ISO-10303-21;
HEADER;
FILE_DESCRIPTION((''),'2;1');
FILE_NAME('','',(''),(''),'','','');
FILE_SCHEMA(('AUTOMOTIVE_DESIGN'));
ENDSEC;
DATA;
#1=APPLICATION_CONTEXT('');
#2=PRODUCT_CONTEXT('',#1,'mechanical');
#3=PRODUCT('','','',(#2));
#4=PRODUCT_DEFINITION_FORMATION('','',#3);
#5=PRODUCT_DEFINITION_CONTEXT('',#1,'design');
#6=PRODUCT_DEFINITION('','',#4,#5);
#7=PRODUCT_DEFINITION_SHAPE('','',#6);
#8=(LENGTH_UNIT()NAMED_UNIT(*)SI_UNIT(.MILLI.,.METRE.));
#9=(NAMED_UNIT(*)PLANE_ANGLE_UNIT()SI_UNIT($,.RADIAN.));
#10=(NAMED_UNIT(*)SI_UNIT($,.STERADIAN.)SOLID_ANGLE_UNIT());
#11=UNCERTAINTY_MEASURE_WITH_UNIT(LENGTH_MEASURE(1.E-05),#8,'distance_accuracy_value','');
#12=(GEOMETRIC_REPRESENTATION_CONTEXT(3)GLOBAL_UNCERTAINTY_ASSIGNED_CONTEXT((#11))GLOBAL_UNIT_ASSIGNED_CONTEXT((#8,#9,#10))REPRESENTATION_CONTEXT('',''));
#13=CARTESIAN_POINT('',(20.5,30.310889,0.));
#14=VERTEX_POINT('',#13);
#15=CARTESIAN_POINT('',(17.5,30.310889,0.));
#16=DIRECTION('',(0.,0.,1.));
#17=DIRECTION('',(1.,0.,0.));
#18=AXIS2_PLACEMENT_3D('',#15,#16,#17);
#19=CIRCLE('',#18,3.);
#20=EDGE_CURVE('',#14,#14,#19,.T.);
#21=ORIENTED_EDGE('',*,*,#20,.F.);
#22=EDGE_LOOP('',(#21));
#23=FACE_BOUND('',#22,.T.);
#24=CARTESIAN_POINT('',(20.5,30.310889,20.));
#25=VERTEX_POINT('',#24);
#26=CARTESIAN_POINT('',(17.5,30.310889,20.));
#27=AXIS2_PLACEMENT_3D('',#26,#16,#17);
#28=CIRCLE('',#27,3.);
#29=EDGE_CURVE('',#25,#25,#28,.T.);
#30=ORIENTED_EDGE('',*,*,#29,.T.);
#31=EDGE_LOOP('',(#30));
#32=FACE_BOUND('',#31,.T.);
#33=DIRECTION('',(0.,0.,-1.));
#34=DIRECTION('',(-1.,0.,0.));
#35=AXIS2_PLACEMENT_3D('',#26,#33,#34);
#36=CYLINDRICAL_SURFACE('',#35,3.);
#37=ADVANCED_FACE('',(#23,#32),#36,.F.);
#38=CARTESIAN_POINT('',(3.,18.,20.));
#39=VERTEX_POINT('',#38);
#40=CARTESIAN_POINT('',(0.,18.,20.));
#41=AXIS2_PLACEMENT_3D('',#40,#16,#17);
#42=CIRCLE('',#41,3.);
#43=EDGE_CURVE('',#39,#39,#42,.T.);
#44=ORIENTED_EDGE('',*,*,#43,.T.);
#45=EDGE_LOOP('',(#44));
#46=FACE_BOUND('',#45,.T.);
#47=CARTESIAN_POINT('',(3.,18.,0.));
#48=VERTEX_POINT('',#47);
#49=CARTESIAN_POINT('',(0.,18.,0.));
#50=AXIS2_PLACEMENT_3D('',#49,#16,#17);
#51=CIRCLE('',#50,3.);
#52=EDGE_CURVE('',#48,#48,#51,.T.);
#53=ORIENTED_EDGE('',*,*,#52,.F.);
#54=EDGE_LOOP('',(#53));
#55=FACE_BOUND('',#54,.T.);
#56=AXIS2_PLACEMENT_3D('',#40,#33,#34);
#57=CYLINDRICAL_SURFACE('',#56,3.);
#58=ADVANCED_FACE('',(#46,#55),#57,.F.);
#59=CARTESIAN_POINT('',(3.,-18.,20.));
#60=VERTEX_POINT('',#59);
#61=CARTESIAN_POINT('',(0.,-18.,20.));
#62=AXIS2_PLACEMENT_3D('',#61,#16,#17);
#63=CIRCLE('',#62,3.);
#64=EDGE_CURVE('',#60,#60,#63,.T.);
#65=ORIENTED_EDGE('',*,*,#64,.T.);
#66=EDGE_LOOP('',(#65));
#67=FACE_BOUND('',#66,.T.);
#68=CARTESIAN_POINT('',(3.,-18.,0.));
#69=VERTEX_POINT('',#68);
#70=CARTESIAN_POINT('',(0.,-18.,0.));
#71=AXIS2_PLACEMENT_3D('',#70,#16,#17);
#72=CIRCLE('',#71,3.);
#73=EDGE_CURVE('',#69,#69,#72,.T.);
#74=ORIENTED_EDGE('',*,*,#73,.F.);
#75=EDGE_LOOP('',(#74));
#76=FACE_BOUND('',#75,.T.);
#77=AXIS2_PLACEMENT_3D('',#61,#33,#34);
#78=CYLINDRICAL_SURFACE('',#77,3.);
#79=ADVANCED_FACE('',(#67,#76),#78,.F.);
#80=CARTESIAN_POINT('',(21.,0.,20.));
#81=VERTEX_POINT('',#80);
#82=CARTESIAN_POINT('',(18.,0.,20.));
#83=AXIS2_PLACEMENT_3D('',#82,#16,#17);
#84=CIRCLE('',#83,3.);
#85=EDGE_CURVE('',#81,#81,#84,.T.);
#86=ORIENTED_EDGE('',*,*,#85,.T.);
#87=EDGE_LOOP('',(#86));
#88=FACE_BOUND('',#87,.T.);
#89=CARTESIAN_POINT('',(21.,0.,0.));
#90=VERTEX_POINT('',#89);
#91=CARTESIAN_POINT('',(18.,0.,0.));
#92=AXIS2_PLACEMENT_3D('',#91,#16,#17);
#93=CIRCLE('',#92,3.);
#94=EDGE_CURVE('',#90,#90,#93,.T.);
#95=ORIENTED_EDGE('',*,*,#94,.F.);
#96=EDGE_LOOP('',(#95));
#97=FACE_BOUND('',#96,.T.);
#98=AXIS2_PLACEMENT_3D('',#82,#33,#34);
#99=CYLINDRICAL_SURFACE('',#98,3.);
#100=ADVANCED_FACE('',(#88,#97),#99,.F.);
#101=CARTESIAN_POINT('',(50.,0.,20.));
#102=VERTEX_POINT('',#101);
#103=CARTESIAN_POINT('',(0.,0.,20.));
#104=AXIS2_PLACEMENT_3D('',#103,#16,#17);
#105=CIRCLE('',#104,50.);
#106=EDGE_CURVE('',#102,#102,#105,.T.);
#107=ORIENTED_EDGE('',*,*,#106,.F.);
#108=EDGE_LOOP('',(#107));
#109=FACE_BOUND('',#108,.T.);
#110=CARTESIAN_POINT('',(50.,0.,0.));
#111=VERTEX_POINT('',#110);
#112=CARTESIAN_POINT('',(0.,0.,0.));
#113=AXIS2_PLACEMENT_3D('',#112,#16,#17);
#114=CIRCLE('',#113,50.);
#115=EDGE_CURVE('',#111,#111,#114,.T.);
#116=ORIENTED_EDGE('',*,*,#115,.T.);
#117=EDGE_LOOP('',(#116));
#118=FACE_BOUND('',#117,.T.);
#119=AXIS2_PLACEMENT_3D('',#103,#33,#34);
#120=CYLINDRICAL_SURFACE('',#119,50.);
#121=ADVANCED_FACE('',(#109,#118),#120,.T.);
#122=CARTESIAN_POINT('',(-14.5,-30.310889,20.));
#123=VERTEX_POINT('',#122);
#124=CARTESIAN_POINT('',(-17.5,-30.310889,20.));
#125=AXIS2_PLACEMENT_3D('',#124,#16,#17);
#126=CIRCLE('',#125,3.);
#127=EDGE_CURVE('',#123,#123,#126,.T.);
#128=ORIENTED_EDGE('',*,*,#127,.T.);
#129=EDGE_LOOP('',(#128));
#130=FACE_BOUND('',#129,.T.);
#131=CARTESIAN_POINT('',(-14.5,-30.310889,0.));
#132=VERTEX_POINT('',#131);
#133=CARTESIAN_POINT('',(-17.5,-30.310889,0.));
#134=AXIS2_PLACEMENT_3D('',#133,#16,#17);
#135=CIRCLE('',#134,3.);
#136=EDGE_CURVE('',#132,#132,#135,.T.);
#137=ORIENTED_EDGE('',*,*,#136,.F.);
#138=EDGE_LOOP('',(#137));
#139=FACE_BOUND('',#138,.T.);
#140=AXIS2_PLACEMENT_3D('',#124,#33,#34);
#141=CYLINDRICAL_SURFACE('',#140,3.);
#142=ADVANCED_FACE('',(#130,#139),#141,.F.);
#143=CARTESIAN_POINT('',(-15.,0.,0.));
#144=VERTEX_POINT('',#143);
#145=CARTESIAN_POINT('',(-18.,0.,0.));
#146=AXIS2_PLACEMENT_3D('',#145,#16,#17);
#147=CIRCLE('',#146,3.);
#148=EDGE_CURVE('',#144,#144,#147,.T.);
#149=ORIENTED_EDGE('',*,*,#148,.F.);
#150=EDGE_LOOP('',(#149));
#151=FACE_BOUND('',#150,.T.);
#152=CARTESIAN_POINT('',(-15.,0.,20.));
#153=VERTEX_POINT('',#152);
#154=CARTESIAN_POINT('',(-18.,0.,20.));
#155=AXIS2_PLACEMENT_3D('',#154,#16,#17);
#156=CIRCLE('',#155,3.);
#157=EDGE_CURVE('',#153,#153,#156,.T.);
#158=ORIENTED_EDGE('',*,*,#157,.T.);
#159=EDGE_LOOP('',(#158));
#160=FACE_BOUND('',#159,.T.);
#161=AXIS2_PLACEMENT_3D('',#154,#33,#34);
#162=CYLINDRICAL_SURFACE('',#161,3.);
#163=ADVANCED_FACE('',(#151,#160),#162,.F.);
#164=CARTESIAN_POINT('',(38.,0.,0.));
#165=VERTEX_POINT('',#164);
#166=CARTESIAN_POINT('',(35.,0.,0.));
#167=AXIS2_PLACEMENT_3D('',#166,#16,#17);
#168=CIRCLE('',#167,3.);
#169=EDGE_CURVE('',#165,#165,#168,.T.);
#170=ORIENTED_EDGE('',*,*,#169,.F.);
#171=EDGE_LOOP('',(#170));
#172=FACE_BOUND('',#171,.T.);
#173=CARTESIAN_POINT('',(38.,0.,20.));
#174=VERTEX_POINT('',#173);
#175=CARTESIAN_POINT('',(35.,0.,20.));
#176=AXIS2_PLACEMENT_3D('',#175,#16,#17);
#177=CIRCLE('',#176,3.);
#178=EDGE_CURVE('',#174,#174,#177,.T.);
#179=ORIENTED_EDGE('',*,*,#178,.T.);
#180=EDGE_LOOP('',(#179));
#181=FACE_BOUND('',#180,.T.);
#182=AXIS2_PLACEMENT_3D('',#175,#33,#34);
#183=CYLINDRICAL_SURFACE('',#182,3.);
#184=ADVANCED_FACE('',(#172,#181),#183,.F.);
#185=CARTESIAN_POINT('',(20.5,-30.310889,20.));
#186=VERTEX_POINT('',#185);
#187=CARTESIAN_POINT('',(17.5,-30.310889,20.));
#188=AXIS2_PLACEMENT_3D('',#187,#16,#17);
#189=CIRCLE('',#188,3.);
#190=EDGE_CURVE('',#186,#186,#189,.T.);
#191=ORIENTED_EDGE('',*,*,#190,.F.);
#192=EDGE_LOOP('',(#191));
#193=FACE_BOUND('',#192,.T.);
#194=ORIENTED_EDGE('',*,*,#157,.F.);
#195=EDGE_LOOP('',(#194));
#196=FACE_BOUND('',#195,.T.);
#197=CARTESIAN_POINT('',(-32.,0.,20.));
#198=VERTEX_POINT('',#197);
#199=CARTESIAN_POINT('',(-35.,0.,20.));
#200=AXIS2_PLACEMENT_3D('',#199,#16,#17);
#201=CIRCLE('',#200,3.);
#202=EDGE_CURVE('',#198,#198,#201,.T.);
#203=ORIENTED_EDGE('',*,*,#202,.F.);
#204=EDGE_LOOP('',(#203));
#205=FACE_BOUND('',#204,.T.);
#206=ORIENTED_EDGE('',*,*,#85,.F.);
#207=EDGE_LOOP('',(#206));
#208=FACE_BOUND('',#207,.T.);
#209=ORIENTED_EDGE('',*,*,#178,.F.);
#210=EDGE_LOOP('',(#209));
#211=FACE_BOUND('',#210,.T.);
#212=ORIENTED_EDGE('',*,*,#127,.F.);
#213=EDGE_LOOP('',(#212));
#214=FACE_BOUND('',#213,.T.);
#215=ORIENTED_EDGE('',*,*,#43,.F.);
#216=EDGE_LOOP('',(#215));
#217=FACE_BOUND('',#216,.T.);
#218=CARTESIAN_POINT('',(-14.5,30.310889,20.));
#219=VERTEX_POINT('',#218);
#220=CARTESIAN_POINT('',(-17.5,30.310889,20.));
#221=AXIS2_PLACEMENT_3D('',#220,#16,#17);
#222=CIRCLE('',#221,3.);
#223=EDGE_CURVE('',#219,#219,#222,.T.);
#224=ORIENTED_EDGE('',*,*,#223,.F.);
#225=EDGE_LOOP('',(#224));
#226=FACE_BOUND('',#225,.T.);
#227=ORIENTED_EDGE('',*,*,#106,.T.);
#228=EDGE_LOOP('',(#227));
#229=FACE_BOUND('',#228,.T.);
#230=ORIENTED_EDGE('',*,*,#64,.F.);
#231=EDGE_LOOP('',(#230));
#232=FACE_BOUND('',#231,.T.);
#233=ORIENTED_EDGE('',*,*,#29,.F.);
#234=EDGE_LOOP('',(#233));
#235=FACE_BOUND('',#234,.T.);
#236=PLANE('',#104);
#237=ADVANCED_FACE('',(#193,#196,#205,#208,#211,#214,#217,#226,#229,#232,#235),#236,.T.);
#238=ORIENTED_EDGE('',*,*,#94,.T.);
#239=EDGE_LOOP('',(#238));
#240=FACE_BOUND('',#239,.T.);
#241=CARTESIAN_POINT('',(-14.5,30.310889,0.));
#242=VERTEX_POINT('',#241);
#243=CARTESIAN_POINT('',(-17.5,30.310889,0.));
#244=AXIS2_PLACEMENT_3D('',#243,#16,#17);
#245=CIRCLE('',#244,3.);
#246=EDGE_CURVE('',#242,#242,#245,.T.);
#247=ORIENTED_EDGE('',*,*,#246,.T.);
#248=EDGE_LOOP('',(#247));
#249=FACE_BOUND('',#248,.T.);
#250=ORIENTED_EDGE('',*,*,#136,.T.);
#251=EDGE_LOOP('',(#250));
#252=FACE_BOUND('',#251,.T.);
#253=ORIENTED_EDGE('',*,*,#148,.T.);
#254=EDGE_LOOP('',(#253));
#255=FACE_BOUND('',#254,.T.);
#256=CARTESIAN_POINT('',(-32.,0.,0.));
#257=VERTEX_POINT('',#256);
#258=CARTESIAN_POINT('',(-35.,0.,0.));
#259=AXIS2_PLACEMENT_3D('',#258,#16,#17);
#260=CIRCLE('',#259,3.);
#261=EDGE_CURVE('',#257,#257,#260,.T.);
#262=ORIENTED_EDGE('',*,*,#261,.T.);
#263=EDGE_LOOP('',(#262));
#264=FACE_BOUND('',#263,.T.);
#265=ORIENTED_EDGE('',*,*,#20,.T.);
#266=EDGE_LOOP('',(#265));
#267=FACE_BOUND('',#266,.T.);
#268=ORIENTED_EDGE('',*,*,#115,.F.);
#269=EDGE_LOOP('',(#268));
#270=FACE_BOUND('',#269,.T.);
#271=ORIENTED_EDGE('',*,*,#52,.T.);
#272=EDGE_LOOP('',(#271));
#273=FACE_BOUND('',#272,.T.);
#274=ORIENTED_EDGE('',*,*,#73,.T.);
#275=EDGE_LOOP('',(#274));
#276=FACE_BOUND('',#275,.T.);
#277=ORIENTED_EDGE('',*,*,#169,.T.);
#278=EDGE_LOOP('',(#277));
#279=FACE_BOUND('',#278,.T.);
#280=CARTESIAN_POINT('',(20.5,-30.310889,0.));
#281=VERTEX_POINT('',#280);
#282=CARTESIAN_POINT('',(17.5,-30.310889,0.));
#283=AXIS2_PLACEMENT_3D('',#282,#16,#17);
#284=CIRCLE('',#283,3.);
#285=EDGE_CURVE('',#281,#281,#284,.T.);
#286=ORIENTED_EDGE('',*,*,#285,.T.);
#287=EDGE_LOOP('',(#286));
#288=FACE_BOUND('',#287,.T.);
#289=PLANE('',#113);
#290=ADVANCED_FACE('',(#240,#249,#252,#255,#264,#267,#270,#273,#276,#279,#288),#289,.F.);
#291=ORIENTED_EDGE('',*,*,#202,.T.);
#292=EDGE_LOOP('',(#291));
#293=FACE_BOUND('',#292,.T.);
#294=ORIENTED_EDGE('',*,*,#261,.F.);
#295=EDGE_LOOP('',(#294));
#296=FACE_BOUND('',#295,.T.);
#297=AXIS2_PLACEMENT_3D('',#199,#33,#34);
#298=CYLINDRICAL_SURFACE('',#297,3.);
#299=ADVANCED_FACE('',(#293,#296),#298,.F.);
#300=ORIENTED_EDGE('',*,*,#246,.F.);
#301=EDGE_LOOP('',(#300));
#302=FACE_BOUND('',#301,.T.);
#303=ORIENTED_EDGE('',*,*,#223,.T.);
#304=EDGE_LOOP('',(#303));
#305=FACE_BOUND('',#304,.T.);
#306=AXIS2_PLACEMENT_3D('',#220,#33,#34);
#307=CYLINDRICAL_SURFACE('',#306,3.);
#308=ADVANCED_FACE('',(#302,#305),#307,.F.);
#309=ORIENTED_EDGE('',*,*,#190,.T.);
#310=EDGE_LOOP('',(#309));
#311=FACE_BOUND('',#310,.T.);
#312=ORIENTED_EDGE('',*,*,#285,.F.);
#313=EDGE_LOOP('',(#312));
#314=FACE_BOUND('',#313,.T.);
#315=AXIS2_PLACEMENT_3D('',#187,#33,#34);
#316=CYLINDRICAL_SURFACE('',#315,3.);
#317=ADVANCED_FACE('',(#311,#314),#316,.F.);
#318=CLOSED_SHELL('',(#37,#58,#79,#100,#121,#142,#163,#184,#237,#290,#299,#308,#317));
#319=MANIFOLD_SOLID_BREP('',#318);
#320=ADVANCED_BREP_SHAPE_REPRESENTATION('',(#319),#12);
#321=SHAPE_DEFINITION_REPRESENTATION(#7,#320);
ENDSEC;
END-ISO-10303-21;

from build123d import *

# Parameters (mm, degrees)
SKETCH_1_R      = 50
SKETCH_1_R_2    = 3
EXTRUDE_1_DEPTH = 20


with BuildPart() as part:
    # 草图1 → 凸台-拉伸1 (new body)
    with BuildSketch(Plane.XY):
        Circle(SKETCH_1_R)
        with Locations((-18, 0)):
            Circle(SKETCH_1_R_2, mode=Mode.SUBTRACT)
        with Locations((0, 18)):
            Circle(SKETCH_1_R_2, mode=Mode.SUBTRACT)
        with Locations((18, 0)):
            Circle(SKETCH_1_R_2, mode=Mode.SUBTRACT)
        with Locations((0, -18)):
            Circle(SKETCH_1_R_2, mode=Mode.SUBTRACT)
        with Locations((-35, 0)):
            Circle(SKETCH_1_R_2, mode=Mode.SUBTRACT)
        with Locations((-17.5, 30.310889132)):
            Circle(SKETCH_1_R_2, mode=Mode.SUBTRACT)
        with Locations((17.5, 30.310889132)):
            Circle(SKETCH_1_R_2, mode=Mode.SUBTRACT)
        with Locations((35, 0)):
            Circle(SKETCH_1_R_2, mode=Mode.SUBTRACT)
        with Locations((17.5, -30.310889132)):
            Circle(SKETCH_1_R_2, mode=Mode.SUBTRACT)
        with Locations((-17.5, -30.310889132)):
            Circle(SKETCH_1_R_2, mode=Mode.SUBTRACT)
    extrude(amount=EXTRUDE_1_DEPTH)


solid = part.part
